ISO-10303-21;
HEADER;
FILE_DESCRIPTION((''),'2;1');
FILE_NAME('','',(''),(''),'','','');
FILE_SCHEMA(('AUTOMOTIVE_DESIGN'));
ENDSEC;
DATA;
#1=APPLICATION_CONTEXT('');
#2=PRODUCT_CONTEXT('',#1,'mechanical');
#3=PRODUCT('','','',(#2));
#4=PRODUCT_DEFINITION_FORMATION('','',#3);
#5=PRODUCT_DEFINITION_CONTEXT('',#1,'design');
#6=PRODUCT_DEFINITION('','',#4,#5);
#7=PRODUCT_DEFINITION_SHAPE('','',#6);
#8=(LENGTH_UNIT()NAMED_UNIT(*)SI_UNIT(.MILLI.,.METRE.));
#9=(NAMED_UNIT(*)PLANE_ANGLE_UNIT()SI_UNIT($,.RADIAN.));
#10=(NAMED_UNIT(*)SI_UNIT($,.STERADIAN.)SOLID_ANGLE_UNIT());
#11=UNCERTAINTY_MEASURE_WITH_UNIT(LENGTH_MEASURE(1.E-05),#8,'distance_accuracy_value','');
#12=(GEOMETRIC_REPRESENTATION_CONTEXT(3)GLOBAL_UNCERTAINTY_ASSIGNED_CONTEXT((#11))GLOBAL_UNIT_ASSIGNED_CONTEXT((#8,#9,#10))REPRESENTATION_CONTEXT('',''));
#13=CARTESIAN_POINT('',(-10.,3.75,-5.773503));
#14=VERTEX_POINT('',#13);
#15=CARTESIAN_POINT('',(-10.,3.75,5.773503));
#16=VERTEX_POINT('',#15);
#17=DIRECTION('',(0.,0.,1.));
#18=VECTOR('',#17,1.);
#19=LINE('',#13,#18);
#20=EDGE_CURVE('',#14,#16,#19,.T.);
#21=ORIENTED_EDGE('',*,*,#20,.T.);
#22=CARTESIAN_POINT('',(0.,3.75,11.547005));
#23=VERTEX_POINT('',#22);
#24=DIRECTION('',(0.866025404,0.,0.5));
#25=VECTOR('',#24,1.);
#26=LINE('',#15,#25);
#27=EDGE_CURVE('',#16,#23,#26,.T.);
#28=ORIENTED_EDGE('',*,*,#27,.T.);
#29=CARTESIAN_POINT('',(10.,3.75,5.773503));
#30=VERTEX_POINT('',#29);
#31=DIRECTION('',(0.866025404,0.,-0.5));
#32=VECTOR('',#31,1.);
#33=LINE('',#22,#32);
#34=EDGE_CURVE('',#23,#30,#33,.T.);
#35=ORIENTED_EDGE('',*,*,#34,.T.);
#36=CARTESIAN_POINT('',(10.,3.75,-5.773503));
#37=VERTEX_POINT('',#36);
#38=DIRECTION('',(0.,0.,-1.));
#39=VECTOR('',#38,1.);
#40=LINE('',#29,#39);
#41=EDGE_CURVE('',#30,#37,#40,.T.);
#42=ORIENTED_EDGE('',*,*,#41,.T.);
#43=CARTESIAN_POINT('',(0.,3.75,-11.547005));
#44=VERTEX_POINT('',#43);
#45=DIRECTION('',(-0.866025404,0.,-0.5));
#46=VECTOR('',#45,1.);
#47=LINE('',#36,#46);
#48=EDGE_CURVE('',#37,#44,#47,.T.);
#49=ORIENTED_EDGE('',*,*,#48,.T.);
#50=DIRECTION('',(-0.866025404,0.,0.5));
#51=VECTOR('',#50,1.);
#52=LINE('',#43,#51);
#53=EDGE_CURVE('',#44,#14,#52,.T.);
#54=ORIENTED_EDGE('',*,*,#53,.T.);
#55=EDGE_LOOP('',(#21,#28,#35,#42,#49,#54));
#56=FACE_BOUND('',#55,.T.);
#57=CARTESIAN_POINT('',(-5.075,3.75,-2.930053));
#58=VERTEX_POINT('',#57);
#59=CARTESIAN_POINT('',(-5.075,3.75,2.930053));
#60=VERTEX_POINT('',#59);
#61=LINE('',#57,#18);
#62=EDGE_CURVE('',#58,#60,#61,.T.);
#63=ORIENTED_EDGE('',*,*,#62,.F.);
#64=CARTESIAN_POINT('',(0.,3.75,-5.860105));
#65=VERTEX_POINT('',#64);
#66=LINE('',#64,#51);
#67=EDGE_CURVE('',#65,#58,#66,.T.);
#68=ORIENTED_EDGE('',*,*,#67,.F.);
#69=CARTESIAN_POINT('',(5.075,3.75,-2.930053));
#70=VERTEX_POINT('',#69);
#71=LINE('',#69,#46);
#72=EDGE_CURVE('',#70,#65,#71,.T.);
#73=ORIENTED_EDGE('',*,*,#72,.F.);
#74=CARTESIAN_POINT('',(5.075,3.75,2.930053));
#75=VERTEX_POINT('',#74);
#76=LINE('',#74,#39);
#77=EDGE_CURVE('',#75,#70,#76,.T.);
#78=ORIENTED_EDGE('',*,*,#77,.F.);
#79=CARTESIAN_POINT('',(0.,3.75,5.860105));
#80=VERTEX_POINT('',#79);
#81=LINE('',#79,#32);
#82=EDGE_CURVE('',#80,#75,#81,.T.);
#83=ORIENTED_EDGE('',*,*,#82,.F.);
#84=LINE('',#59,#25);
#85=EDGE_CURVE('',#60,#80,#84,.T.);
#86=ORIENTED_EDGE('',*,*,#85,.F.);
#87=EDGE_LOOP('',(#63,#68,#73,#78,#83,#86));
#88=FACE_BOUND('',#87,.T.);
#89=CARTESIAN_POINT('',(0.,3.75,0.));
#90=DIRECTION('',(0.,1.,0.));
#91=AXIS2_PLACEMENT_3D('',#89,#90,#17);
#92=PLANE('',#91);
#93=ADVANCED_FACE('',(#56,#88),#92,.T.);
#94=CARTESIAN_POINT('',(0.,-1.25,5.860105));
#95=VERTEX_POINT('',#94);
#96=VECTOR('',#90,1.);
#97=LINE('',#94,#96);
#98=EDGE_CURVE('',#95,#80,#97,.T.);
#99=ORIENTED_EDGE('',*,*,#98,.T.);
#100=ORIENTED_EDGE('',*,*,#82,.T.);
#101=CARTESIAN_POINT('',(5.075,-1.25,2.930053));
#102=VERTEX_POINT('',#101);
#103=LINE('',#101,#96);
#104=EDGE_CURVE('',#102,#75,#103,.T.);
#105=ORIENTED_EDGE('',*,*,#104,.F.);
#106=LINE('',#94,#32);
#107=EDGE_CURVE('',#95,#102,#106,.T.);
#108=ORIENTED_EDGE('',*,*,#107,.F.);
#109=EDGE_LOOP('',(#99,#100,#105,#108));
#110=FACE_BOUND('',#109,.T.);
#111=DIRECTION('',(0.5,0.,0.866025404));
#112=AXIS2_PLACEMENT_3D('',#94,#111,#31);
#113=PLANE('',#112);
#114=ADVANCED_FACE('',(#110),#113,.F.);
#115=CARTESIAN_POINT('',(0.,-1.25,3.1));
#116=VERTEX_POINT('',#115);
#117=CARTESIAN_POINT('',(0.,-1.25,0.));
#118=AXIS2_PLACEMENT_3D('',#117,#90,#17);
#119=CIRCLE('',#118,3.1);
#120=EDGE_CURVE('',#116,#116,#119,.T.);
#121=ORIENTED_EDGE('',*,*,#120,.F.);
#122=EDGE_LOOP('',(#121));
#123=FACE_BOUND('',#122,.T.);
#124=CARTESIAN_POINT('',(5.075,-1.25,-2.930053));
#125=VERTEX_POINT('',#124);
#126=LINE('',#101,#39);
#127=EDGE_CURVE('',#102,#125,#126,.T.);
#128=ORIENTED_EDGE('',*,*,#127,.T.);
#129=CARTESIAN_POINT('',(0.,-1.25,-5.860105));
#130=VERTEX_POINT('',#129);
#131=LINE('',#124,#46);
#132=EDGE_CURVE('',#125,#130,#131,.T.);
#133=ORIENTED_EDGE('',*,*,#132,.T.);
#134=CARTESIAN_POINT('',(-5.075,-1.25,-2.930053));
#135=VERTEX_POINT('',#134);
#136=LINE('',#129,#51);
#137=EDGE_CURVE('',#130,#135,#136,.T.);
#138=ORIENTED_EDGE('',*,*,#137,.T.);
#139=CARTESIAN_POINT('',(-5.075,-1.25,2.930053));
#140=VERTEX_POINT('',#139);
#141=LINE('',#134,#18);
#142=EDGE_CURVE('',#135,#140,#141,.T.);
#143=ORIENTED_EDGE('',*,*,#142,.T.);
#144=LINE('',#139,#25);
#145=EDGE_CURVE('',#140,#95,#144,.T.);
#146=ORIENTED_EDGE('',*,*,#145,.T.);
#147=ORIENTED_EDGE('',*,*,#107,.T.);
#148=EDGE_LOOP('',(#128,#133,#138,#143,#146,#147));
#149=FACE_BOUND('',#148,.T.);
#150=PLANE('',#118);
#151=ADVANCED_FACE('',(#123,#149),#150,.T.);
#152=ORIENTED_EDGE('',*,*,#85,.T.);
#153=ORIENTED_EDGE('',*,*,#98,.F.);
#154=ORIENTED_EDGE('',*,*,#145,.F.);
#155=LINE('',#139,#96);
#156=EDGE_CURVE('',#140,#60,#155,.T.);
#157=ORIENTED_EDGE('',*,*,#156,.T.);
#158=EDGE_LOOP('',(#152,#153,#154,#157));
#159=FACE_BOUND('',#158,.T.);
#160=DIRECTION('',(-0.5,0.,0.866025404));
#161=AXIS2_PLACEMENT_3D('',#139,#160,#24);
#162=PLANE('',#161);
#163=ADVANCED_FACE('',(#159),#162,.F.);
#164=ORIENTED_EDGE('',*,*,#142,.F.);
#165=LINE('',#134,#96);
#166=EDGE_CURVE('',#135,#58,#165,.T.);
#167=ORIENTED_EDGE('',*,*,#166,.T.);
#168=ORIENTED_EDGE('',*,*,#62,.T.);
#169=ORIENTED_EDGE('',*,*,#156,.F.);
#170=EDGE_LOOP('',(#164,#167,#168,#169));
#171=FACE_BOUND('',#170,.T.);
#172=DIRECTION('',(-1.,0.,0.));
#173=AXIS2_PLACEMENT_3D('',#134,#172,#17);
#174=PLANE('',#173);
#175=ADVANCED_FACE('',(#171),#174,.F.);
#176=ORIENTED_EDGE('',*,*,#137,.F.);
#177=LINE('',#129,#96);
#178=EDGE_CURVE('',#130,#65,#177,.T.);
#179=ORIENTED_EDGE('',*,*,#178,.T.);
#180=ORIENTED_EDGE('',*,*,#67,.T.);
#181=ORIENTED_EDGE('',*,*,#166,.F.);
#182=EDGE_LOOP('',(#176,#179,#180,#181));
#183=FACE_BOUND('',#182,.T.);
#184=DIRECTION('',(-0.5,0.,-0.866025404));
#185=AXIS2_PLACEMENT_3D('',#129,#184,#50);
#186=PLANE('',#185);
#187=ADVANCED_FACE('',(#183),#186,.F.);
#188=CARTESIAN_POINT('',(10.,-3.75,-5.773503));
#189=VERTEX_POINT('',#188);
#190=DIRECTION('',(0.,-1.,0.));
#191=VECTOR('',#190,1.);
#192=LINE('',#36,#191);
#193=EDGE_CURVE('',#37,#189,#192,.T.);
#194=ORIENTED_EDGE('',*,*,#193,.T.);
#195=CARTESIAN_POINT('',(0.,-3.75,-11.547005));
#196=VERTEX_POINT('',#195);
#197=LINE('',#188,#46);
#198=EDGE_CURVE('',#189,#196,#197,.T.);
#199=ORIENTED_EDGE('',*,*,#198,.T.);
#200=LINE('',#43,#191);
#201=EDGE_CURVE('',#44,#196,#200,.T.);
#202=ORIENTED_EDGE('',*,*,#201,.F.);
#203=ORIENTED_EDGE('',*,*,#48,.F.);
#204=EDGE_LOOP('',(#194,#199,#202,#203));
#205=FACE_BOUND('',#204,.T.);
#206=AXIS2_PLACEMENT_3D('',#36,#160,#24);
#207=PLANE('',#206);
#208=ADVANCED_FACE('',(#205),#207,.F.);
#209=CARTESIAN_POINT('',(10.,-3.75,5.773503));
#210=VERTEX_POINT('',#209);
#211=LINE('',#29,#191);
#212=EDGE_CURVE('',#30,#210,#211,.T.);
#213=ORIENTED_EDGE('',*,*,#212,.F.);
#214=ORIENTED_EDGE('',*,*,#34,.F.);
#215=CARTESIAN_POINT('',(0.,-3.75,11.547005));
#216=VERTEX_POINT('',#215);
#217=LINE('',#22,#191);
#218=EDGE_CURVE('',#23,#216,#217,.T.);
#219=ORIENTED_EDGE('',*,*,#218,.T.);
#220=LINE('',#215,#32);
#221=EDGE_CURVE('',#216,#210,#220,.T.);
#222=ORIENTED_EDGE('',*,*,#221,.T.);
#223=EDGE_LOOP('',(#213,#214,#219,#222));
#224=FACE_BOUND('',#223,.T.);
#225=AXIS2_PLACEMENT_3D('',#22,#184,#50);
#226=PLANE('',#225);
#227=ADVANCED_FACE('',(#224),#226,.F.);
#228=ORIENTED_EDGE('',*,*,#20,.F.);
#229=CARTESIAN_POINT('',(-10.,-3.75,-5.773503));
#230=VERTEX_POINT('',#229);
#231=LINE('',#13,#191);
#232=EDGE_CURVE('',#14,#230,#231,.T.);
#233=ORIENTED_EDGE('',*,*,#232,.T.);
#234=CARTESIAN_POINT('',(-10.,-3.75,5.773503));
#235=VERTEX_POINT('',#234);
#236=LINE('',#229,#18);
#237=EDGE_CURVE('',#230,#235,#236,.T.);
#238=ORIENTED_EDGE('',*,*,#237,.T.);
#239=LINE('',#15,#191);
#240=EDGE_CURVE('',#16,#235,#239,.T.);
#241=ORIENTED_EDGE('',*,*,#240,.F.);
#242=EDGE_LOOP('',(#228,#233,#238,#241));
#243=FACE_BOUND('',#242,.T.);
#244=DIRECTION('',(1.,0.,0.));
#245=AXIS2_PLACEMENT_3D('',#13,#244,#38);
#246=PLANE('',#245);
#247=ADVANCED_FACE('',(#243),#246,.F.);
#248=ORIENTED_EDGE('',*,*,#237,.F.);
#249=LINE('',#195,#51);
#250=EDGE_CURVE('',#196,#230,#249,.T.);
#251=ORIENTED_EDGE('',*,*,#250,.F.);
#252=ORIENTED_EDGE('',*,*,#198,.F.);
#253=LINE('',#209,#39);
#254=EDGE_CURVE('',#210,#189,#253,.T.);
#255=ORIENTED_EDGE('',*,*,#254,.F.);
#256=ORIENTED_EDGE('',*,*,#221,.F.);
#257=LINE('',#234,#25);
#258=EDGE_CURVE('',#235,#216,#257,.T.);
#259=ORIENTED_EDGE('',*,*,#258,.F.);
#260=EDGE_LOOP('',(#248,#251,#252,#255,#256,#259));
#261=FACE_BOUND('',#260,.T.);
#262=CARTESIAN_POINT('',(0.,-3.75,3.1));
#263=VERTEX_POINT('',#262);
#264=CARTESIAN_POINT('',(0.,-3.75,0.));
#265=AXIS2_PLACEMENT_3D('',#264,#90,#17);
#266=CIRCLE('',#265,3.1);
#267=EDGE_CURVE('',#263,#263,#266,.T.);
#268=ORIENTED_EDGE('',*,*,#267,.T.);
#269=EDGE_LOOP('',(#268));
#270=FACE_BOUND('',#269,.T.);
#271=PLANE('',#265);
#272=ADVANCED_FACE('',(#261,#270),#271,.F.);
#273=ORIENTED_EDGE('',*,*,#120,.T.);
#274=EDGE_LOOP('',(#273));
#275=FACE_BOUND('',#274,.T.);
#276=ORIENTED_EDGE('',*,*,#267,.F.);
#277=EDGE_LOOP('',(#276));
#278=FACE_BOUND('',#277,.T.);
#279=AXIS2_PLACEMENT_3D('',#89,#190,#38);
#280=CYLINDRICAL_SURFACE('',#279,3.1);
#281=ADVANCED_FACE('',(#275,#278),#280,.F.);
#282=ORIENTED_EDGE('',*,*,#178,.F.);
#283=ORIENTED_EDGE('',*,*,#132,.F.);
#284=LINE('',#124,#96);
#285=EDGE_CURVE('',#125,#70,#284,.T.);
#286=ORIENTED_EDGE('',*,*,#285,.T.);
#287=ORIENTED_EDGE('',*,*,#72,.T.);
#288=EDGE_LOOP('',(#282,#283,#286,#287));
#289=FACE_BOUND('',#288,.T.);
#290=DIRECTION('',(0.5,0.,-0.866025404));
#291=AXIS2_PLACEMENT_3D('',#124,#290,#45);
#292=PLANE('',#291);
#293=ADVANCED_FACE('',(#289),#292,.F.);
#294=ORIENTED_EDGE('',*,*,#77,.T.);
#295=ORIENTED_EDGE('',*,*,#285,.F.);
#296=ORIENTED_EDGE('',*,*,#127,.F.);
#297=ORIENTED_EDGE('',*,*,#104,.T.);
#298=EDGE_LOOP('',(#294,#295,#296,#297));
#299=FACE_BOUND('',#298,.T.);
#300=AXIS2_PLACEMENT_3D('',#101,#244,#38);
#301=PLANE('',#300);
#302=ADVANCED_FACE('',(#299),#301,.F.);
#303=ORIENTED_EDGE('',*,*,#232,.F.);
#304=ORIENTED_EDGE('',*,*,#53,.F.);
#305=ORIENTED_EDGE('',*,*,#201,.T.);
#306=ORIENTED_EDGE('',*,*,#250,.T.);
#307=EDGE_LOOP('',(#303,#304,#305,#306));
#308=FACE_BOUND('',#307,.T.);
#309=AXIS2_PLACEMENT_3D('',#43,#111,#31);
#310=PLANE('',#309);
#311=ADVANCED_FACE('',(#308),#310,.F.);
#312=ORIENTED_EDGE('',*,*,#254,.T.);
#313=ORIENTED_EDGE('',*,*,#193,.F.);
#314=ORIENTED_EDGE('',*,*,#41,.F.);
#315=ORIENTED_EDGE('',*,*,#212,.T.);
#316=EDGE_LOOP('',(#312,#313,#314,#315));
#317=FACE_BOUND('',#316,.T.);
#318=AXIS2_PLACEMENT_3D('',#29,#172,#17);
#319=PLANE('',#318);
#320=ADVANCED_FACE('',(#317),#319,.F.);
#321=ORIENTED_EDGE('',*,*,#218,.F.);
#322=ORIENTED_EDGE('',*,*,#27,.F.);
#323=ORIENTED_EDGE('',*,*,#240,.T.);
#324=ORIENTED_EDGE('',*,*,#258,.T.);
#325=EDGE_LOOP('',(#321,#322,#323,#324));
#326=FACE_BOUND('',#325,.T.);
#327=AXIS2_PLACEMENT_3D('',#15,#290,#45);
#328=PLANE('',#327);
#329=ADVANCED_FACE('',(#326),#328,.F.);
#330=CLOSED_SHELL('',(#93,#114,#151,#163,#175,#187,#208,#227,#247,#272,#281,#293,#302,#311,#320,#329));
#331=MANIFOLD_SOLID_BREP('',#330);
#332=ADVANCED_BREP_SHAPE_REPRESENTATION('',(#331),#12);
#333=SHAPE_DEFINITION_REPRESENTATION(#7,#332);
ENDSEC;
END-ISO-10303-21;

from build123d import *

# Parameters (mm, degrees)
SKETCH1_R           = 3.1
BOSS_EXTRUDE1_DEPTH = 3.75
CUT_EXTRUDE1_DEPTH  = 5


with BuildPart() as part:
    # Sketch1 → Boss-Extrude1 (new, symmetric)
    with BuildSketch(Plane(origin=(0, 0, 0), x_dir=(1, 0, 0), z_dir=(0, 1, 0))):
        Polygon((0, -11.547005384), (10, -5.773502692), (10, 5.773502692), (0, 11.547005384), (-10, 5.773502692), (-10, -5.773502692), align=None)
        with Locations(Location((0, 0, 0), (0, 0, 270))):
            Circle(SKETCH1_R, mode=Mode.SUBTRACT)
    extrude(amount=BOSS_EXTRUDE1_DEPTH, both=True)

    # Sketch2 → Cut-Extrude1 (cut)
    with BuildSketch(Plane(origin=(0, 3.75, 0), x_dir=(1, 0, 0), z_dir=(0, 1, 0))):
        Polygon((0, 5.860105232), (-5.075, 2.930052616), (-5.075, -2.930052616), (0, -5.860105232), (5.075, -2.930052616), (5.075, 2.930052616), align=None)
    extrude(amount=-CUT_EXTRUDE1_DEPTH, mode=Mode.SUBTRACT)


solid = part.part
